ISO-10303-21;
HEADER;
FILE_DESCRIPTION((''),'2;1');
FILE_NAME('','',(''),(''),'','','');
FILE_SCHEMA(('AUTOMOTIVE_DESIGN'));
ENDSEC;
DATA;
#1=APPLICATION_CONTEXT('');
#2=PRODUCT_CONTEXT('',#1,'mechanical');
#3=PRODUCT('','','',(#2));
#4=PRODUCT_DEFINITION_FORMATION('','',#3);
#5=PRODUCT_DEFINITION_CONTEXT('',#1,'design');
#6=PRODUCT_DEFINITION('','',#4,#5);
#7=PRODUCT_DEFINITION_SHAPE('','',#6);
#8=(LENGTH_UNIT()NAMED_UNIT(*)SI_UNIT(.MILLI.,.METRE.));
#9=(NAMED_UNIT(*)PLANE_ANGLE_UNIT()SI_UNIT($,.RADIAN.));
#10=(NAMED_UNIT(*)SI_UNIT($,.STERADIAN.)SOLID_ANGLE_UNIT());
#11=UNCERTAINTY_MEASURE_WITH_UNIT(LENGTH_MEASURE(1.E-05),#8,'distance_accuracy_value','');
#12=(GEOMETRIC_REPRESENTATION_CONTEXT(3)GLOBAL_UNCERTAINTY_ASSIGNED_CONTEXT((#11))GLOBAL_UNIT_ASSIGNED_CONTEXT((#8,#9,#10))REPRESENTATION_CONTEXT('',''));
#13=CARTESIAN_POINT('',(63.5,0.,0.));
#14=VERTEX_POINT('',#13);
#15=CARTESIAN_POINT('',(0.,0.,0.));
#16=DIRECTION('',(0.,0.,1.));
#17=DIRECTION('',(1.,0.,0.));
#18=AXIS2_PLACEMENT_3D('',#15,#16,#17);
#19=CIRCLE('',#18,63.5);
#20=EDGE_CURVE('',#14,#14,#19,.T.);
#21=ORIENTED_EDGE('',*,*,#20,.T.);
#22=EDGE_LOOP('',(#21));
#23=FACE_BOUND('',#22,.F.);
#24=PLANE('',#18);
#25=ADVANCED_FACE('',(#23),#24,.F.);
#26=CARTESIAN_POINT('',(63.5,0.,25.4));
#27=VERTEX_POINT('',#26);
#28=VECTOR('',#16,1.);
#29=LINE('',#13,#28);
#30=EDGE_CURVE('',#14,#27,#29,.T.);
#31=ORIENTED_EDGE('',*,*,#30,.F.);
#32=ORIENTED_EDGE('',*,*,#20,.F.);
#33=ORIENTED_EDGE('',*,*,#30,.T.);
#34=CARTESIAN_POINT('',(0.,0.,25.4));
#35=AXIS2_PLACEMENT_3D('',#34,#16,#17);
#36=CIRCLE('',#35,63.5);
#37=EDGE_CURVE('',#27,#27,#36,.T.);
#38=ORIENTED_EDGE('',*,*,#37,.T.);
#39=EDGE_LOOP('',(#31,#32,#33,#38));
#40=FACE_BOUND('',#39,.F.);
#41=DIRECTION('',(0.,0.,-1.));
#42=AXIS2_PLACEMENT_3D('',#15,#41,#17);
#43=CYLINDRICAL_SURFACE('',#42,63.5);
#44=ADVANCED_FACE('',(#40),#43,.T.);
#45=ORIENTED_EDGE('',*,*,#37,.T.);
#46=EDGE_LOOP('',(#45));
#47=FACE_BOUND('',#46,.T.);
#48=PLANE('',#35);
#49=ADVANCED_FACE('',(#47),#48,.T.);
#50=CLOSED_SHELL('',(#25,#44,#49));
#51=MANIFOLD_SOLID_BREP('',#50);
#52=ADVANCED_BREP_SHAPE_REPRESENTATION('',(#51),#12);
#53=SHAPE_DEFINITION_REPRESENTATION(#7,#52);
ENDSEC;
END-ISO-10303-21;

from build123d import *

# Parameters (mm, degrees)
SKETCH1_R      = 63.5
EXTRUDE1_DEPTH = 25.4


with BuildPart() as part:
    # Sketch1 → Extrude1 (new body)
    with BuildSketch(Plane.XY):
        Circle(SKETCH1_R)
    extrude(amount=EXTRUDE1_DEPTH)


solid = part.part
